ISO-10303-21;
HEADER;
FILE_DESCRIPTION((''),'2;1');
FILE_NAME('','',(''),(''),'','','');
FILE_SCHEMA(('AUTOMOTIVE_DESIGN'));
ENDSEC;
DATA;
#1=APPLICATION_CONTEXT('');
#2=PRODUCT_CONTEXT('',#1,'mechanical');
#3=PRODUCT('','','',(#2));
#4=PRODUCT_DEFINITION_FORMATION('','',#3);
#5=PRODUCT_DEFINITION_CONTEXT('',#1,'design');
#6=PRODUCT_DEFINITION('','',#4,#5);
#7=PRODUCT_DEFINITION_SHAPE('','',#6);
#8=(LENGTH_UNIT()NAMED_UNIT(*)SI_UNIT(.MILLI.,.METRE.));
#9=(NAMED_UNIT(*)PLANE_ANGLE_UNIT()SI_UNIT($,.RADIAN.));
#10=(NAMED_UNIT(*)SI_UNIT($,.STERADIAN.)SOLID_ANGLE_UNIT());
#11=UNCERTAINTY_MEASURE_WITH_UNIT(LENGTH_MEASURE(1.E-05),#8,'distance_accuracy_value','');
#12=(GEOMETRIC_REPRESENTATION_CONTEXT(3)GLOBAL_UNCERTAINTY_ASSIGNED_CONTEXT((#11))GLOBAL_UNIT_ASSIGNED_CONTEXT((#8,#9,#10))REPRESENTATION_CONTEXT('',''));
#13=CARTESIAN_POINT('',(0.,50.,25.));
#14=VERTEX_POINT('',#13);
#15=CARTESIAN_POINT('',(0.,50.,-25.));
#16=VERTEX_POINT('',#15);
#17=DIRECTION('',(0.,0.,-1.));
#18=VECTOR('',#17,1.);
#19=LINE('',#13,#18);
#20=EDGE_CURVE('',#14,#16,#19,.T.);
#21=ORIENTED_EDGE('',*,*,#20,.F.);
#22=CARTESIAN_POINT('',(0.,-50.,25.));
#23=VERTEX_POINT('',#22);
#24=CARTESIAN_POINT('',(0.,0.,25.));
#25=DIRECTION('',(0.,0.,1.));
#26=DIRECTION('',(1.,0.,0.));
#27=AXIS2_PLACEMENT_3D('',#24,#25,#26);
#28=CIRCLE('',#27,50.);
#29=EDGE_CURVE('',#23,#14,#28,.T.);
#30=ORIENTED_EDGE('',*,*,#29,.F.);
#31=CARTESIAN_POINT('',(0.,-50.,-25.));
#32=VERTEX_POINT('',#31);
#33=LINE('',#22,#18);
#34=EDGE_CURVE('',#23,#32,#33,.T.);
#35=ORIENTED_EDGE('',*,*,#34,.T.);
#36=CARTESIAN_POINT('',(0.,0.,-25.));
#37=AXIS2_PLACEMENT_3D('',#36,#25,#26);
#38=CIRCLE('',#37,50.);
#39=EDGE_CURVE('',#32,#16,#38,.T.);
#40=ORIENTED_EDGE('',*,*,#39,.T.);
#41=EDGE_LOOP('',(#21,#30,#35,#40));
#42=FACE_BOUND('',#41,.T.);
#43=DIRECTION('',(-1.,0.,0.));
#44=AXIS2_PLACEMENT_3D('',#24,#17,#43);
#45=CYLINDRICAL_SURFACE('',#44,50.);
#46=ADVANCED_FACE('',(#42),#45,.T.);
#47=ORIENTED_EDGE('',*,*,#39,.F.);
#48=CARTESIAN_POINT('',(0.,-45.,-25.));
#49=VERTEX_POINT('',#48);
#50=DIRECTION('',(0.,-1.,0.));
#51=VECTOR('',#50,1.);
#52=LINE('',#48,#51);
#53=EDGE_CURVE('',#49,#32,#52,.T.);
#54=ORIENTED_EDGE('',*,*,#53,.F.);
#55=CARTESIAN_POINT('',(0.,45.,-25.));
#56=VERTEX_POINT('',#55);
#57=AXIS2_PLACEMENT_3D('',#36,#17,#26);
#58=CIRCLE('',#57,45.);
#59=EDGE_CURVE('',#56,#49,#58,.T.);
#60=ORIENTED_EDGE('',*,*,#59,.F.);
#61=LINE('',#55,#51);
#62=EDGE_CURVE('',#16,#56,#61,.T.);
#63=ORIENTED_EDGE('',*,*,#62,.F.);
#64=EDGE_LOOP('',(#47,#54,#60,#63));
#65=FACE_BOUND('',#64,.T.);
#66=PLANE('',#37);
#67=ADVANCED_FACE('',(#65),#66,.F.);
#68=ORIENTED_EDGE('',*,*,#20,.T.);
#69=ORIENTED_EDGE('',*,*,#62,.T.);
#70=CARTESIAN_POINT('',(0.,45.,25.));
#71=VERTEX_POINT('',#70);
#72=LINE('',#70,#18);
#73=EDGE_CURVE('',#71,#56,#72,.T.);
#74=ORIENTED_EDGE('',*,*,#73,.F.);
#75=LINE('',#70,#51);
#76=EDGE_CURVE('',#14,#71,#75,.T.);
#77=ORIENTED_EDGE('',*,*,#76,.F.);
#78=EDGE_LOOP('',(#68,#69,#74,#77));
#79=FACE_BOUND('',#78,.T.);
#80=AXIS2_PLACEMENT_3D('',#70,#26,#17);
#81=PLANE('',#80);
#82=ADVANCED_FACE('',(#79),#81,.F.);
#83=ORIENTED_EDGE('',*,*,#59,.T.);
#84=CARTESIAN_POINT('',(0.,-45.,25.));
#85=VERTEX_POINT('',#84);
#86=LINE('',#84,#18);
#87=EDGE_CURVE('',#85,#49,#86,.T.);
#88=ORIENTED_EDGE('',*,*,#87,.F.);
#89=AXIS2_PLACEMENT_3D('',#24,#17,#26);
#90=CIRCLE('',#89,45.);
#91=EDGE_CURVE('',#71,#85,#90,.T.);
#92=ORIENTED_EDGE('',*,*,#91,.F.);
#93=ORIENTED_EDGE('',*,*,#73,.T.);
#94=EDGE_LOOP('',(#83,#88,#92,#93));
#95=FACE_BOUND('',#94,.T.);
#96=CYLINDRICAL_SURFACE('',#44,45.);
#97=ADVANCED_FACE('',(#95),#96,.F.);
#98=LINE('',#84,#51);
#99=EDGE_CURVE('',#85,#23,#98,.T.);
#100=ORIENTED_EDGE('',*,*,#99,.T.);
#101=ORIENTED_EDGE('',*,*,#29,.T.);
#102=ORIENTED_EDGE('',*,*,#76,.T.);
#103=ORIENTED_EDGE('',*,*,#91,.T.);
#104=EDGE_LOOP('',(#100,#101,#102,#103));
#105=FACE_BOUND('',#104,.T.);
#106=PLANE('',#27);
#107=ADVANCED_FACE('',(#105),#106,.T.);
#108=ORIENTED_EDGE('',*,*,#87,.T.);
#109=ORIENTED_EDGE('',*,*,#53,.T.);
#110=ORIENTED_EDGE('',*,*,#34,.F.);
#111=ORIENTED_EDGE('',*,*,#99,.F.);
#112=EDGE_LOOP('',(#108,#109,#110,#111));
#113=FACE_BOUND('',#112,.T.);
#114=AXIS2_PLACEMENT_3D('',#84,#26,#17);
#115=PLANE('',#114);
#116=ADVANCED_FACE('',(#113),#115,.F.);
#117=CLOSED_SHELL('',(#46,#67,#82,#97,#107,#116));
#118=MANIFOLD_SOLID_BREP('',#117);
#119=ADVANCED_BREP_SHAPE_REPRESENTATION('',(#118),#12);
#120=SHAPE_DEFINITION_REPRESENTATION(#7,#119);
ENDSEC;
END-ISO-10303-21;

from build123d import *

# Parameters (mm, degrees)
BOSS_EXTRUDE1_DEPTH = 25


with BuildPart() as part:
    # Sketch1 → Boss-Extrude1 (new, symmetric)
    with BuildSketch(Plane.XY):
        with BuildLine():
            Line((0, 45), (0, 50))
            ThreePointArc((0, 50), (50, 0), (0, -50))
            Line((0, -50), (0, -45))
            ThreePointArc((0, -45), (45, 0), (0, 45))
        make_face()
    extrude(amount=BOSS_EXTRUDE1_DEPTH, both=True)


solid = part.part
